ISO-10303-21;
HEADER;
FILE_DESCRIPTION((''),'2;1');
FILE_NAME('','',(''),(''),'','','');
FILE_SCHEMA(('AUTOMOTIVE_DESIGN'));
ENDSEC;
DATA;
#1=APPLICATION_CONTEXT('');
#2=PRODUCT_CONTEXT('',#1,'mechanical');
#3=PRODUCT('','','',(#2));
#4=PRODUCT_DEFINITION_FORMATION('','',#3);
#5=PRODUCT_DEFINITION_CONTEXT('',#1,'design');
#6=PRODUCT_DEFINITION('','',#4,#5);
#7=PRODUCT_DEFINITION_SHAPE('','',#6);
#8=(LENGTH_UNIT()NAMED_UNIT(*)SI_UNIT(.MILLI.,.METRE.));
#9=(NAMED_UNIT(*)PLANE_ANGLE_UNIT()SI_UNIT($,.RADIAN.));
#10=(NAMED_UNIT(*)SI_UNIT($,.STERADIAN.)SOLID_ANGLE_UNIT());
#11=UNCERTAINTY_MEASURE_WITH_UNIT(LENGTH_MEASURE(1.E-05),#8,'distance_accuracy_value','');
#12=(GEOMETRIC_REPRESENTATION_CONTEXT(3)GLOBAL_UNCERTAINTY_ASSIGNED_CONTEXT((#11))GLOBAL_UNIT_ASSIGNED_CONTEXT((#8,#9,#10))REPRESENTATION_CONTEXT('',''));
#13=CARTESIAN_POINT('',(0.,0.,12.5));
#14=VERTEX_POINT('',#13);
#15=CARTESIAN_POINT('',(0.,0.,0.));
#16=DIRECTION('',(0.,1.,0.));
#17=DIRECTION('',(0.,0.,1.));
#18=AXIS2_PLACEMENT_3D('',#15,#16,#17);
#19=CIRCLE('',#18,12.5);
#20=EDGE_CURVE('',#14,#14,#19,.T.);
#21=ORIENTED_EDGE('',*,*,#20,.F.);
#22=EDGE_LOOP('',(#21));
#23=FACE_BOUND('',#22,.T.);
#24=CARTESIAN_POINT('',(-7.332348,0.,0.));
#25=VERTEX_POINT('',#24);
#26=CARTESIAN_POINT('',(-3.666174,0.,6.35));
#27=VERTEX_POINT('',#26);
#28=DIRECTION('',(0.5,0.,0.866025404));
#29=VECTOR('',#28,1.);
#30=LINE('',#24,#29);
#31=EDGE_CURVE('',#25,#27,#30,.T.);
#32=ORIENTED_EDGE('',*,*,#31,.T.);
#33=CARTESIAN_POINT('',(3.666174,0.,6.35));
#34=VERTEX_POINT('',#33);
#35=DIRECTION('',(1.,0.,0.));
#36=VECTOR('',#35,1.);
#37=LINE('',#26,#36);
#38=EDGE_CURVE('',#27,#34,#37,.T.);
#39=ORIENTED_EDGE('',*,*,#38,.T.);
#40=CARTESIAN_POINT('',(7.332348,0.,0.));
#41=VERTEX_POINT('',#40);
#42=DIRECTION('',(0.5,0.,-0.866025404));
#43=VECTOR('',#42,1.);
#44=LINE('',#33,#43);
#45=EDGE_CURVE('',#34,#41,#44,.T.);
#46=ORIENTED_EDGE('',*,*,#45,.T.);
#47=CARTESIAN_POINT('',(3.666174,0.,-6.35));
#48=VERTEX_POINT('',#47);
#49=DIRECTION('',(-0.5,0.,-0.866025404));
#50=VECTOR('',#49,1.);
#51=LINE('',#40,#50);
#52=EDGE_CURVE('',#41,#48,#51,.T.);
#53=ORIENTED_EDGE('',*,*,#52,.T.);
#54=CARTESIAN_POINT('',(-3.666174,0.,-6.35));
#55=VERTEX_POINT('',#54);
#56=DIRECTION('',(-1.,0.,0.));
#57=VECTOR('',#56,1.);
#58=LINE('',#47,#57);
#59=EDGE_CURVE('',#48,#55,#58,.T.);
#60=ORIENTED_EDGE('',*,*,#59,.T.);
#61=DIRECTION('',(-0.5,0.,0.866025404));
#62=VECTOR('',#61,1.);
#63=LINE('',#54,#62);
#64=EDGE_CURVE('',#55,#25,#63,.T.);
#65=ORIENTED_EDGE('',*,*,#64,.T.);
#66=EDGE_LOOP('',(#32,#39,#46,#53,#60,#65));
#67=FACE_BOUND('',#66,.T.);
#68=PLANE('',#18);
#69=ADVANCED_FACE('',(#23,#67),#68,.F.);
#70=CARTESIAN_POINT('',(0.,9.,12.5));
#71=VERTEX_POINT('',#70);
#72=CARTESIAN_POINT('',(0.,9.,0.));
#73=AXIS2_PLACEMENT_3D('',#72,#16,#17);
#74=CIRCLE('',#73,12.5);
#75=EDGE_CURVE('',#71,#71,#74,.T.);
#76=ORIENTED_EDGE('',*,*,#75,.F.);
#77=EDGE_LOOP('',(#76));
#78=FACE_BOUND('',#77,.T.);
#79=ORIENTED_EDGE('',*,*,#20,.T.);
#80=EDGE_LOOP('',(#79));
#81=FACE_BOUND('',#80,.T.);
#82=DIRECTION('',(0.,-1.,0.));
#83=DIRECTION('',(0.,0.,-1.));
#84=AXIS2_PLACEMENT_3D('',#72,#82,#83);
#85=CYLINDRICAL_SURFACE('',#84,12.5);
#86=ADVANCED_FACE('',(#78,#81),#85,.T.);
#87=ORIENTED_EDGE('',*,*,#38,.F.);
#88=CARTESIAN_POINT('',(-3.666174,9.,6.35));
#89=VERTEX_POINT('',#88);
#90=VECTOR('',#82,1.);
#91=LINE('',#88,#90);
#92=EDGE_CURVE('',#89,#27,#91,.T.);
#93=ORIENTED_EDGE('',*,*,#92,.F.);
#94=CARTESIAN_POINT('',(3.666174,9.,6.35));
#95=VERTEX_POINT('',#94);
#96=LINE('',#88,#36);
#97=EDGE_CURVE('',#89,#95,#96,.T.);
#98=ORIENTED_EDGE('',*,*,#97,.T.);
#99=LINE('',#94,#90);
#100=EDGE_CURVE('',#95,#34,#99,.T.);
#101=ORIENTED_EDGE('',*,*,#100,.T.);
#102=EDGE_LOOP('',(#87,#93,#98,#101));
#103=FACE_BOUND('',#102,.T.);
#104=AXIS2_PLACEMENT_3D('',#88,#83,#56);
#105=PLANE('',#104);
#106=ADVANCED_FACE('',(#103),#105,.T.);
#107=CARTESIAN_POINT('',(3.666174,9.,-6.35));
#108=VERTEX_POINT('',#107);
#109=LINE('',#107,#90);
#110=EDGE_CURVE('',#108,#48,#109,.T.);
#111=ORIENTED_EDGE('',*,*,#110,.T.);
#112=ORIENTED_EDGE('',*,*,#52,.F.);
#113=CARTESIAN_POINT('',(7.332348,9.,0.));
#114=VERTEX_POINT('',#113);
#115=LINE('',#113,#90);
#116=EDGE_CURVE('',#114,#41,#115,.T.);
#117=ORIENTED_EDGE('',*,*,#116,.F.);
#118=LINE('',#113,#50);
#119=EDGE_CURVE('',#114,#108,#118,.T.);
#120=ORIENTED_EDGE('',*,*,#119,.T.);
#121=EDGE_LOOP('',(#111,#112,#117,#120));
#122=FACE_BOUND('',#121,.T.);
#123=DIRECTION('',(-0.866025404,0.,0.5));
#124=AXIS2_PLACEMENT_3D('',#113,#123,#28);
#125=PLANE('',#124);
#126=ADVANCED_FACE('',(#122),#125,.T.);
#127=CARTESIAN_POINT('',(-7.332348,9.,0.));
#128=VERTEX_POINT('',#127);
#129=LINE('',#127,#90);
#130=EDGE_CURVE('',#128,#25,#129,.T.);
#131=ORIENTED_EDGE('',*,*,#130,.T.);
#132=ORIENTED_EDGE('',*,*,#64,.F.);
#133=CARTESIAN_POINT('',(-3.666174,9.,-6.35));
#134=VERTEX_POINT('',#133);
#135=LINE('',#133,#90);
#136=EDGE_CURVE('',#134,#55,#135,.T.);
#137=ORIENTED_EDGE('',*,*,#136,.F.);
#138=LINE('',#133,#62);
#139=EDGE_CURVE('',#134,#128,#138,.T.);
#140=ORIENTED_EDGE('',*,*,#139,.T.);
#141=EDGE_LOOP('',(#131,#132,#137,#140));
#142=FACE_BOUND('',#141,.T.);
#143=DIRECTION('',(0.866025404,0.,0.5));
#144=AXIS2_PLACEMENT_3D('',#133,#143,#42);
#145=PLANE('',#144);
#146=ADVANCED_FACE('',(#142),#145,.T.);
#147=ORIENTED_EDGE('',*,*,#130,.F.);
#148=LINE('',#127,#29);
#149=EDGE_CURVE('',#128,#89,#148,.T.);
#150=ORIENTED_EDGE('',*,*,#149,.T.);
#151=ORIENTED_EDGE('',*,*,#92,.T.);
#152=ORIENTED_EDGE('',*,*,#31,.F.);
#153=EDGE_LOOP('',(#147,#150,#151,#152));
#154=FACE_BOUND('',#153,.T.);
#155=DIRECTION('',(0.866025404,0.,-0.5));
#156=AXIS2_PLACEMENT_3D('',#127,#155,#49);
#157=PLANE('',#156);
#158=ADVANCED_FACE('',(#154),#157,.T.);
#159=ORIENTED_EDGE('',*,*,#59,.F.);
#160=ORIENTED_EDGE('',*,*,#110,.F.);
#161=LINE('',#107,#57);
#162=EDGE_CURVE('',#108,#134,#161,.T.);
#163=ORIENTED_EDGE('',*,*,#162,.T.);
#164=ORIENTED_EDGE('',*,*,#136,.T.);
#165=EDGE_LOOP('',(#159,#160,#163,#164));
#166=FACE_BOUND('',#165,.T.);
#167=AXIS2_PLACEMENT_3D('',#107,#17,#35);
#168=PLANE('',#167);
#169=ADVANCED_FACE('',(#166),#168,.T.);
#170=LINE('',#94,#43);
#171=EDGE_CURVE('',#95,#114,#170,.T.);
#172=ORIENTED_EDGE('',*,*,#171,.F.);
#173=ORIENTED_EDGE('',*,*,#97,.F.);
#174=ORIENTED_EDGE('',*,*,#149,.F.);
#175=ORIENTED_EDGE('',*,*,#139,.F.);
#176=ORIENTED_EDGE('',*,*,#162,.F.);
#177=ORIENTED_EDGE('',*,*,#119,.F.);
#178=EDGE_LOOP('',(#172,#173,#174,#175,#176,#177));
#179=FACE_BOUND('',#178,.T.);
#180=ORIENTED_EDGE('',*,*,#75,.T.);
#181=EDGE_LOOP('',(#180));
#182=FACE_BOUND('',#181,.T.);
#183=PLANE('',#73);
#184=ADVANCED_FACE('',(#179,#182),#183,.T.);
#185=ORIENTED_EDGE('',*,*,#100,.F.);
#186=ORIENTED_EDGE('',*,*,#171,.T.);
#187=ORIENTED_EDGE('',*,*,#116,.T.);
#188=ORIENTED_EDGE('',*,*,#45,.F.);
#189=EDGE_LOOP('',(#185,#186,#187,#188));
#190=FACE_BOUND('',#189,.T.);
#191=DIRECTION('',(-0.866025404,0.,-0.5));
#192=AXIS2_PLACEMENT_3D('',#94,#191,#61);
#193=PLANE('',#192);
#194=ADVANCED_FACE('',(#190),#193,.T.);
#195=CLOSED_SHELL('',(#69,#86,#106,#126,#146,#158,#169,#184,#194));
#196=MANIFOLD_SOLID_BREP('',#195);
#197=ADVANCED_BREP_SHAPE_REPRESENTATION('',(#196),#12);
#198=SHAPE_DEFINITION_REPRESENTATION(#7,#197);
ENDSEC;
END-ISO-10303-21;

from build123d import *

# Parameters (mm, degrees)
CROQUIS1_R              = 12.5
SALIENTE_EXTRUIR1_DEPTH = 9


with BuildPart() as part:
    # Croquis1 → Saliente-Extruir1 (new body)
    with BuildSketch(Plane(origin=(0, 0, 0), x_dir=(1, 0, 0), z_dir=(0, 1, 0))):
        with Locations(Location((0, 0, 0), (0, 0, 270))):
            Circle(CROQUIS1_R)
        Polygon((7.332348419, 0), (3.666174209, 6.35), (-3.666174209, 6.35), (-7.332348419, 0), (-3.666174209, -6.35), (3.666174209, -6.35), align=None, mode=Mode.SUBTRACT)
    extrude(amount=SALIENTE_EXTRUIR1_DEPTH)


solid = part.part
